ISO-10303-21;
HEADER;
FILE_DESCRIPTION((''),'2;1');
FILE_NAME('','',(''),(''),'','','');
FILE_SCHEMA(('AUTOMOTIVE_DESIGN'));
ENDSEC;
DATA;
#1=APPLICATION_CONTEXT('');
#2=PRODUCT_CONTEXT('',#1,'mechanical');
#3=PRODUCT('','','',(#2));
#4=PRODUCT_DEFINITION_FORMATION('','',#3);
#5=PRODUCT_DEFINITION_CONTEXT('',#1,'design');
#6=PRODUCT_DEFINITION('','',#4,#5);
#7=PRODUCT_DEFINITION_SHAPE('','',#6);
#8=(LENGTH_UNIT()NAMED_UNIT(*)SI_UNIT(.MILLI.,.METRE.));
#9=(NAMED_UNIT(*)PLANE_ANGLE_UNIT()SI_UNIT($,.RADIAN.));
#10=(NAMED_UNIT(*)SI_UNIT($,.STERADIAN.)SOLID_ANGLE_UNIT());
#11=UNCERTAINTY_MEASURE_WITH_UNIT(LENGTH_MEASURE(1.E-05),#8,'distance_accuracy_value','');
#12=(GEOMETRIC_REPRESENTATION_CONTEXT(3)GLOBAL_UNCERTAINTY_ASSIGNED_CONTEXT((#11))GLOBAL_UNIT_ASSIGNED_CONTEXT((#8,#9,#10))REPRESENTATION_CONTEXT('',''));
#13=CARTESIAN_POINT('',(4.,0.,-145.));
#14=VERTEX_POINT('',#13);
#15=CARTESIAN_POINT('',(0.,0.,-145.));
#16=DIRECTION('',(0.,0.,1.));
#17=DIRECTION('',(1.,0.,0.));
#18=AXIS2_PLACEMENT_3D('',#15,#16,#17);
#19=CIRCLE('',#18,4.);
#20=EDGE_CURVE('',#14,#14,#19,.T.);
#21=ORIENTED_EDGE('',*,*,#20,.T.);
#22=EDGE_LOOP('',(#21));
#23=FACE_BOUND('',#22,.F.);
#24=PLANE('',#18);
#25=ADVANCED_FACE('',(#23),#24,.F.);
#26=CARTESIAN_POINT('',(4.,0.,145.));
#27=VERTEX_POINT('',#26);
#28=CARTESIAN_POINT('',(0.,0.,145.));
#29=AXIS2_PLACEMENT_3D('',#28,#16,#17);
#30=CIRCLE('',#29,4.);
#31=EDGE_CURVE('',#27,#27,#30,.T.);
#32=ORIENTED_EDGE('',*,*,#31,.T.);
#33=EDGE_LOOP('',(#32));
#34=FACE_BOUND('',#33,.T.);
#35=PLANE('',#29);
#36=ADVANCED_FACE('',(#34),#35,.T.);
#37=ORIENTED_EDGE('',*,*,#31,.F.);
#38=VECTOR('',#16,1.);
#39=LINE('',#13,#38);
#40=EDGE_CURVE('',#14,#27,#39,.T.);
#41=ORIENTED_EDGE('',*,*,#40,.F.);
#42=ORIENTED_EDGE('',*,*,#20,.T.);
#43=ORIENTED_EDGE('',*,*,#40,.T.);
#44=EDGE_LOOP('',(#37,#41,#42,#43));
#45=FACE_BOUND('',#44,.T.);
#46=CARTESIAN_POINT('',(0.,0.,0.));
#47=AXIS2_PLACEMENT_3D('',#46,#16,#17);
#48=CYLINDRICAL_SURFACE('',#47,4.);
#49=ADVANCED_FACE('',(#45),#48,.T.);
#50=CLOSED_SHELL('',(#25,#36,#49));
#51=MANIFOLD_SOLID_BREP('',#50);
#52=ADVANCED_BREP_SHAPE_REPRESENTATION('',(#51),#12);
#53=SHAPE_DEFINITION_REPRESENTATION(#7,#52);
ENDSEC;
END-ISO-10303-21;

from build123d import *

# Parameters (mm, degrees)
ESBO_O1_R                = 4
RESSALTO_EXTRUS_O1_DEPTH = 145


with BuildPart() as part:
    # Esboço1 → Ressalto-extrusão1 (new body, symmetric)
    with BuildSketch(Plane.XY):
        Circle(ESBO_O1_R)
    extrude(amount=RESSALTO_EXTRUS_O1_DEPTH, both=True)


solid = part.part
